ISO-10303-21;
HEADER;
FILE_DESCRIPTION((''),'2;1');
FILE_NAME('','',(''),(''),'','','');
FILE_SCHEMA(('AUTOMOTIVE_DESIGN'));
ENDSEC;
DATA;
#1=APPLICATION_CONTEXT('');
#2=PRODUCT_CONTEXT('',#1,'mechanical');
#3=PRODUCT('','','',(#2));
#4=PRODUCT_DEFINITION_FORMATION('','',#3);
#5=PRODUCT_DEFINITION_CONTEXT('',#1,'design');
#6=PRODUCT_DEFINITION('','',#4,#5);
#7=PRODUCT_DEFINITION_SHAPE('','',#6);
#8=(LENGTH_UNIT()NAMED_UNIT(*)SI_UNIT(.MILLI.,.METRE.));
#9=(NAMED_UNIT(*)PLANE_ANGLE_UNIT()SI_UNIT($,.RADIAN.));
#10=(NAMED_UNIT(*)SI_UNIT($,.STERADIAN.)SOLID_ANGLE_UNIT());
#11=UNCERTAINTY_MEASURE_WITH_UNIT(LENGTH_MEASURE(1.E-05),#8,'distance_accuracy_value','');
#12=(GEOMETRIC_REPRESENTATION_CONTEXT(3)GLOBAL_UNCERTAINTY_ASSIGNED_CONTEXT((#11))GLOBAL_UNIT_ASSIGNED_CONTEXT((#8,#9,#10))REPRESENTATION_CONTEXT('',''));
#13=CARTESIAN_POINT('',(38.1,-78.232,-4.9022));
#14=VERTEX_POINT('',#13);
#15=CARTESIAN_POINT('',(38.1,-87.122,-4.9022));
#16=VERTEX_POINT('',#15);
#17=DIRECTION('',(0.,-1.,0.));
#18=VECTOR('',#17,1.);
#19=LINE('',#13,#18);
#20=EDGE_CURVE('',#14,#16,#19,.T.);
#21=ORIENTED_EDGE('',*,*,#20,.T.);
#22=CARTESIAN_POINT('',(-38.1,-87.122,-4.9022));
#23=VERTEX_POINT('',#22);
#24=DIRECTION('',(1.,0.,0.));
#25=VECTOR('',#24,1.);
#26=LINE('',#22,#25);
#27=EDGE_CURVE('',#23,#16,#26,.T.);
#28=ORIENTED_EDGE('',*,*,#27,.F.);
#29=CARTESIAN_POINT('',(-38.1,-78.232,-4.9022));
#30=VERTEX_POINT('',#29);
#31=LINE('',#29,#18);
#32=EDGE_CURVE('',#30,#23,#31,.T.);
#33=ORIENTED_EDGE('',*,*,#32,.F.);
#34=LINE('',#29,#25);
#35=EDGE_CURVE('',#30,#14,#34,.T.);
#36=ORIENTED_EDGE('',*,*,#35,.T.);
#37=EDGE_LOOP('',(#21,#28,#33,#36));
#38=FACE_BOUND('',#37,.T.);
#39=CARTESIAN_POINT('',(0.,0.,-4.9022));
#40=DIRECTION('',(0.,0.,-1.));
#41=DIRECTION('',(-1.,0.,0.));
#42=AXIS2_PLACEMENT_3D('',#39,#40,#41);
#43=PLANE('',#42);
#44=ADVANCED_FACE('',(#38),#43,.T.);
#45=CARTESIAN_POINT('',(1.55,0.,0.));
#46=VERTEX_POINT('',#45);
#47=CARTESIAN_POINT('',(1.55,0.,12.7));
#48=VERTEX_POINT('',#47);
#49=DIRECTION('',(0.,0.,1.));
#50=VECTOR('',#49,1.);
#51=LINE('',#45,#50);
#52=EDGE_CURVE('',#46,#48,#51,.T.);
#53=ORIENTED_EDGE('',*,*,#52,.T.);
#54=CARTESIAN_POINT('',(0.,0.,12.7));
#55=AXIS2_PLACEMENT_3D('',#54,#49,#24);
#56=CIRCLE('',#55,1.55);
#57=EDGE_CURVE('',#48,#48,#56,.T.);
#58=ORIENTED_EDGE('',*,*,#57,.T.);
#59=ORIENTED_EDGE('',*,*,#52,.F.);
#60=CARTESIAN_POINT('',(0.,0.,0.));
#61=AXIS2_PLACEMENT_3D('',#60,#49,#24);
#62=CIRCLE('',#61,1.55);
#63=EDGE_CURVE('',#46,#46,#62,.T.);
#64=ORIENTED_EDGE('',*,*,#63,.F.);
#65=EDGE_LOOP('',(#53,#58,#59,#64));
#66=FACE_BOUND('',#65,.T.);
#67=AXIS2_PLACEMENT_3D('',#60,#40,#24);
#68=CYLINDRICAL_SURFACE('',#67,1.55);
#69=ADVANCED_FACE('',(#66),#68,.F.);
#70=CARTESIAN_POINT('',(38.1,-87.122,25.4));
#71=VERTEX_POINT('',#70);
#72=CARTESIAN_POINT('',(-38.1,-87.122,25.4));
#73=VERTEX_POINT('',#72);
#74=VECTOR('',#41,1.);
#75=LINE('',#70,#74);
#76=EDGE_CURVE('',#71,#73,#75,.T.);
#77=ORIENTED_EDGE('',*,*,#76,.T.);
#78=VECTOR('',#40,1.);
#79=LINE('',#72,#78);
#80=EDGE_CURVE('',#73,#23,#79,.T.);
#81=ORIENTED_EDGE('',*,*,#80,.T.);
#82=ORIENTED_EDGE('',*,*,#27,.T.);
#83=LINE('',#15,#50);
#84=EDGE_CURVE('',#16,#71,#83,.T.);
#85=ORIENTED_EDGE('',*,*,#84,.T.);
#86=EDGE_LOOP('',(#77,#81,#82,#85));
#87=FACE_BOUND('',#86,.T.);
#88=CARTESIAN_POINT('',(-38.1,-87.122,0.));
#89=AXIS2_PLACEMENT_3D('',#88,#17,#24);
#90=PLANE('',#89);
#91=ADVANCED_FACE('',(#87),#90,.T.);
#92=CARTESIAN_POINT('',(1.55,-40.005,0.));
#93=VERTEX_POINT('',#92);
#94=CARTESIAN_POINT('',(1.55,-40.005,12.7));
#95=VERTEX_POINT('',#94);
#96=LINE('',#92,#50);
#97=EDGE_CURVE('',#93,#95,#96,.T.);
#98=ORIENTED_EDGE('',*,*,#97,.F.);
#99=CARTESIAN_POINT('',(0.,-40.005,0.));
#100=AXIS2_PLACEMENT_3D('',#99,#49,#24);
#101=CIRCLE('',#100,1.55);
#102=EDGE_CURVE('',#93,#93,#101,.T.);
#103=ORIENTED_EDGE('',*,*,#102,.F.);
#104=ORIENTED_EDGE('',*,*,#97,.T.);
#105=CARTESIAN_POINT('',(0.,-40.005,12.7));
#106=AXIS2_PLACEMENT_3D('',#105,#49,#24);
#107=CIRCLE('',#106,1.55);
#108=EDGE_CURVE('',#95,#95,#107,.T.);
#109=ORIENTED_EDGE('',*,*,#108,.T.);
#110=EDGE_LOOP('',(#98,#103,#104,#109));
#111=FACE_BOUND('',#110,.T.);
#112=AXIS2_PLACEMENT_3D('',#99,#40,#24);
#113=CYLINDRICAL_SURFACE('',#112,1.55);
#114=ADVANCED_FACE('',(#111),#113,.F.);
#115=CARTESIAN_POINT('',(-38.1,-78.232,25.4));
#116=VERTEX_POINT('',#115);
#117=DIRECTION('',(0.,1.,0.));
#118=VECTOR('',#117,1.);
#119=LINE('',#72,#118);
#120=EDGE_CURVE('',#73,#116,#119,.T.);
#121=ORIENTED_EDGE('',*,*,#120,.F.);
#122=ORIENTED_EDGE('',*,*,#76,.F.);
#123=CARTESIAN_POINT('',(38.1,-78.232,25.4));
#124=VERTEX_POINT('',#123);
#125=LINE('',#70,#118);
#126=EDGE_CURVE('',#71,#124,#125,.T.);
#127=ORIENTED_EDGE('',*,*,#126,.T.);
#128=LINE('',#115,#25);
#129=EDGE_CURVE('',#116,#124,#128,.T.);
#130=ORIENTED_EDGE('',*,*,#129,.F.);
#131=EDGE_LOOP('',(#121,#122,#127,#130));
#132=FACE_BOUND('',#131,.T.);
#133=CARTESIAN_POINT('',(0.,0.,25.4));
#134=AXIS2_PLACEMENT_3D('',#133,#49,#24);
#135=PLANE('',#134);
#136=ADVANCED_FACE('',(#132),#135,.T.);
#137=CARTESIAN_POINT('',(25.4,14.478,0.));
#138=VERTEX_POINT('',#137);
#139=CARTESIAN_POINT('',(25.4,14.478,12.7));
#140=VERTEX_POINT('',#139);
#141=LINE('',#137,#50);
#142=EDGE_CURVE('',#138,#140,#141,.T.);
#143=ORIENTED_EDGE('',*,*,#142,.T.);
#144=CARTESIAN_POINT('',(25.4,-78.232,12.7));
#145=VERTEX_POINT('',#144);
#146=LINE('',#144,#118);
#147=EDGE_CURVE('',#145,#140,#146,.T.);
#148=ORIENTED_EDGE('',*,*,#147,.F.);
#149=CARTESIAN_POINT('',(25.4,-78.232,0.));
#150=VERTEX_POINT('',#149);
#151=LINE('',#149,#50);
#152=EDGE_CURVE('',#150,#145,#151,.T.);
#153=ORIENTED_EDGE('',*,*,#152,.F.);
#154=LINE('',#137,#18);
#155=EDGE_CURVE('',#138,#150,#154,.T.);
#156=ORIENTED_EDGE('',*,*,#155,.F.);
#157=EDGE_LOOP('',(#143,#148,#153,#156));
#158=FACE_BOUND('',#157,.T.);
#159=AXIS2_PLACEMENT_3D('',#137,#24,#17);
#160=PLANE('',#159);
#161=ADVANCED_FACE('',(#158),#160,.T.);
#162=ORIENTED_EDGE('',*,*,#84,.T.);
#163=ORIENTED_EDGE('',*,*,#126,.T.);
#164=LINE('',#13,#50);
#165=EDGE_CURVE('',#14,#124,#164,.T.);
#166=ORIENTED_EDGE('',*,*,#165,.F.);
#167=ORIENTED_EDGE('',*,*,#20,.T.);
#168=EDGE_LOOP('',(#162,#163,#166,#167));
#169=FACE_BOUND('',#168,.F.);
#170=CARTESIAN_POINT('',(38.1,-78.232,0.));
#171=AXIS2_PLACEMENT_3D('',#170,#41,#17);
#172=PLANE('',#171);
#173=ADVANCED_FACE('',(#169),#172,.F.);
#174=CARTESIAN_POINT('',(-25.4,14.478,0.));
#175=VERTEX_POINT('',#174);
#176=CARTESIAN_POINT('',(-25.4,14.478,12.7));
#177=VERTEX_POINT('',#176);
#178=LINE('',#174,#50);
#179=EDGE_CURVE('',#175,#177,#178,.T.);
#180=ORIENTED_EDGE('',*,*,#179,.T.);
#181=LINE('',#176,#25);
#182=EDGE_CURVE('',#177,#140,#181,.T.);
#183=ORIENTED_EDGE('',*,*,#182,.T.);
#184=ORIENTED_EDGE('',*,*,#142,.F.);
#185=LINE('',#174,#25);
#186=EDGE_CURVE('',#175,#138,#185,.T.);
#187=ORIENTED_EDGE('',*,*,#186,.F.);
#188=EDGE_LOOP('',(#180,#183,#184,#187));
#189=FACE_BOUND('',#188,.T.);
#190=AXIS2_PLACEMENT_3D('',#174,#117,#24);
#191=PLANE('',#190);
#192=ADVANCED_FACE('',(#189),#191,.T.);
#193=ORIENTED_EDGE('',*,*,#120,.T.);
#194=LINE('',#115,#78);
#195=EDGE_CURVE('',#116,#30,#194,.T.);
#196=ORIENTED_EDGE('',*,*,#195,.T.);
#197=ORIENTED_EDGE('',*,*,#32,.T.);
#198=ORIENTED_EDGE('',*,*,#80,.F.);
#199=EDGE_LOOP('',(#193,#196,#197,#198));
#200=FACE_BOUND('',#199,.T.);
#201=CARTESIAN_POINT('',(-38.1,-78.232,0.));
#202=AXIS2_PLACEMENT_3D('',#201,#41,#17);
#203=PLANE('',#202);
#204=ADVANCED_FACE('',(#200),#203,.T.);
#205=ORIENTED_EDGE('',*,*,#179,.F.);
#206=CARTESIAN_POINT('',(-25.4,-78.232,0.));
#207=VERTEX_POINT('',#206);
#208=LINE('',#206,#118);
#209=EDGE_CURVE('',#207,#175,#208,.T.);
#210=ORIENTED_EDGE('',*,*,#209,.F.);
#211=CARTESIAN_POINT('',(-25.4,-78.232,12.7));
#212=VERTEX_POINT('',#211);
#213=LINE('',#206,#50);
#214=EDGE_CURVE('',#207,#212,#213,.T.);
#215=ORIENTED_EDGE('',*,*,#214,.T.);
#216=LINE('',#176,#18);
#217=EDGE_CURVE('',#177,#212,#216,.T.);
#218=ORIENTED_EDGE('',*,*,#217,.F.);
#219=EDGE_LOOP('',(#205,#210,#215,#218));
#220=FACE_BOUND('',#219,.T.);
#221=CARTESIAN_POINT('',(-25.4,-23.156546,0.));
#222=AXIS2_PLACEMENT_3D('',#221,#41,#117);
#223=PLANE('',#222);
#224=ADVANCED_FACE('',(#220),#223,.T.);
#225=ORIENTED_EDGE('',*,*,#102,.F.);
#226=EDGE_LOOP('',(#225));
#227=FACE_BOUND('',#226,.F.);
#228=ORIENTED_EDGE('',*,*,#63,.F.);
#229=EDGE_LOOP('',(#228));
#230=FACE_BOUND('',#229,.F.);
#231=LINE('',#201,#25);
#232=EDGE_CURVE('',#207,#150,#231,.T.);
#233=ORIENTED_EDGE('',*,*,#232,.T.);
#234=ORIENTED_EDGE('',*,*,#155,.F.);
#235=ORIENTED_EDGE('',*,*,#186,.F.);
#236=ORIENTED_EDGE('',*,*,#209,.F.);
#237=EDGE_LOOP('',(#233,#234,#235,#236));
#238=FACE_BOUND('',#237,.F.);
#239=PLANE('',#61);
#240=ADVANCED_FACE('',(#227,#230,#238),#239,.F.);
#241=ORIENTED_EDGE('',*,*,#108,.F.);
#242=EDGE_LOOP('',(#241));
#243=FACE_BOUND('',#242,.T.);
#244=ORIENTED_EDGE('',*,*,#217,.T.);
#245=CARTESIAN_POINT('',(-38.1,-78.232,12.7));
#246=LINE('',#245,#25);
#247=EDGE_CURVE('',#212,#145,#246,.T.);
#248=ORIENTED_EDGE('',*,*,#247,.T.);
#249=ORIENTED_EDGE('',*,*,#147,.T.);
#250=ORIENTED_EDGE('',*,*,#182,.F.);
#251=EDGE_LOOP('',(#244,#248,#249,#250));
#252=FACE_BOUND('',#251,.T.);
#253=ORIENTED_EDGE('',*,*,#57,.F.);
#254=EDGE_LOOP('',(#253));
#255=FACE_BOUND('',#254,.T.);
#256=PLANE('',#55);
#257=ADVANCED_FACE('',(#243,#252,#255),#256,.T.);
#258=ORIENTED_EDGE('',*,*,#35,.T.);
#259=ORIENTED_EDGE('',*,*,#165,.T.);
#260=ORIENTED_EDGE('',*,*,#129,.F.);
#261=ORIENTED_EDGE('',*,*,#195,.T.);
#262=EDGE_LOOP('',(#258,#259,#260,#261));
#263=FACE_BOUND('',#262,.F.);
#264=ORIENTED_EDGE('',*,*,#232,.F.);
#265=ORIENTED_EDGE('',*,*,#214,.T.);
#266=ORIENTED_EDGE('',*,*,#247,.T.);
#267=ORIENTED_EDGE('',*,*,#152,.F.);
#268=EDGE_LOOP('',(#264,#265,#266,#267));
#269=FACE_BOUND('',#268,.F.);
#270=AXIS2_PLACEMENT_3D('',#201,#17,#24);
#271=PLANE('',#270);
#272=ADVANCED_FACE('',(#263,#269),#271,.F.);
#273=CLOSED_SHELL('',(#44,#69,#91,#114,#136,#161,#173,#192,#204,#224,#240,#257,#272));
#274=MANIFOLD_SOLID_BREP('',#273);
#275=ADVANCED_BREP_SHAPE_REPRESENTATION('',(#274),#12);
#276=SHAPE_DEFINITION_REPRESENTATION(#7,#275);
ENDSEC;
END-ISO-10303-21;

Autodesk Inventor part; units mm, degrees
ref_plane "YZ Plane" through (0, 0, 0) normal (1, 0, 0) x (0, 1, 0)
ref_plane "XZ Plane" through (0, 0, 0) normal (0, 1, 0) x (-1, 0, 0)
ref_plane "XY Plane" through (0, 0, 0) normal (0, 0, 1) x (1, 0, 0)
sketch "Sketch1" plane through (0, 0, 0) normal (0, 0, 1) x (1, 0, 0)
  circle A0 centre (0, 0) radius 7.62
  circle A1 centre (0, -40.005) radius 30.48
  circle A2 centre (0, 0) radius 1.55
  circle A3 centre (0, -40.005) radius 1.55
  line L0 (-25.4, 14.478) -> (25.4, 14.478)
  line L1 (25.4, 14.478) -> (25.4, -87.122)
  line L2 (25.4, -87.122) -> (-25.4, -87.122)
  line L3 (-25.4, -87.122) -> (-25.4, 14.478)
  line L4 (-25.4, -87.122) -> (-38.1, -87.122)
  line L5 (-38.1, -87.122) -> (-38.1, -78.232)
  line L6 (-38.1, -78.232) -> (-25.4, -78.232)
  line L7 (25.4, -87.122) -> (38.1, -87.122)
  line L8 (38.1, -87.122) -> (38.1, -78.232)
  line L9 (38.1, -78.232) -> (25.4, -78.232)
  dimension "d0" = 40.005
  dimension "d1" = 15.24
  dimension "d2" = 60.96
  dimension "d3" = 3.1
  dimension "d4" = 3.1
  dimension "d5" = 14.478
  dimension "d6" = 25.4
  dimension "d7" = 25.4
  dimension "d8" = 101.6
  dimension "d9" = 12.7
  dimension "d10" = 12.7
  dimension "d11" = 8.89
extrude "Extrusion1" add sketch "Sketch1" along normal blind 12.7 contours A0 | L1 A1 L3 | A1 L3 L0 L1 | L1 L2 L3 A1 | L9 L8 L7 L1 | L3 L4 L5 L6
sketch "Sketch3" plane through (0, 0, 12.7) normal (0, 0, 1) x (1, 0, 0)
  line L0 (-25.4, -78.232) -> (-38.1, -78.232) projected
  line L1 (38.1, -87.122) -> (38.1, -78.232) projected
  line L2 (-38.1, -78.232) -> (38.1, -78.232)
  line L3 (38.1, -78.232) -> (38.1, -87.122)
  line L4 (38.1, -87.122) -> (-38.1, -87.122)
  line L5 (-38.1, -87.122) -> (-38.1, -78.232)
  point P0 (0, 0)
extrude "Extrusion3" add sketch "Sketch3" along normal blind 12.7
sketch "Sketch5" plane through (0, 0, 0) normal (0, 0, -1) x (-1, 0, 0)
  line L0 (38.1, -87.122) -> (-38.1, -87.122) projected
  line L1 (38.1, -78.232) -> (38.1, -87.122) projected
  line L2 (-38.1, -87.122) -> (38.1, -87.122)
  line L3 (38.1, -87.122) -> (38.1, -78.232)
  line L4 (38.1, -78.232) -> (-38.1, -78.232)
  line L5 (-38.1, -78.232) -> (-38.1, -87.122)
  point P0 (0, 0)
extrude "Extrusion4" add sketch "Sketch5" along normal blind 4.9022
properties part number "Frame"
